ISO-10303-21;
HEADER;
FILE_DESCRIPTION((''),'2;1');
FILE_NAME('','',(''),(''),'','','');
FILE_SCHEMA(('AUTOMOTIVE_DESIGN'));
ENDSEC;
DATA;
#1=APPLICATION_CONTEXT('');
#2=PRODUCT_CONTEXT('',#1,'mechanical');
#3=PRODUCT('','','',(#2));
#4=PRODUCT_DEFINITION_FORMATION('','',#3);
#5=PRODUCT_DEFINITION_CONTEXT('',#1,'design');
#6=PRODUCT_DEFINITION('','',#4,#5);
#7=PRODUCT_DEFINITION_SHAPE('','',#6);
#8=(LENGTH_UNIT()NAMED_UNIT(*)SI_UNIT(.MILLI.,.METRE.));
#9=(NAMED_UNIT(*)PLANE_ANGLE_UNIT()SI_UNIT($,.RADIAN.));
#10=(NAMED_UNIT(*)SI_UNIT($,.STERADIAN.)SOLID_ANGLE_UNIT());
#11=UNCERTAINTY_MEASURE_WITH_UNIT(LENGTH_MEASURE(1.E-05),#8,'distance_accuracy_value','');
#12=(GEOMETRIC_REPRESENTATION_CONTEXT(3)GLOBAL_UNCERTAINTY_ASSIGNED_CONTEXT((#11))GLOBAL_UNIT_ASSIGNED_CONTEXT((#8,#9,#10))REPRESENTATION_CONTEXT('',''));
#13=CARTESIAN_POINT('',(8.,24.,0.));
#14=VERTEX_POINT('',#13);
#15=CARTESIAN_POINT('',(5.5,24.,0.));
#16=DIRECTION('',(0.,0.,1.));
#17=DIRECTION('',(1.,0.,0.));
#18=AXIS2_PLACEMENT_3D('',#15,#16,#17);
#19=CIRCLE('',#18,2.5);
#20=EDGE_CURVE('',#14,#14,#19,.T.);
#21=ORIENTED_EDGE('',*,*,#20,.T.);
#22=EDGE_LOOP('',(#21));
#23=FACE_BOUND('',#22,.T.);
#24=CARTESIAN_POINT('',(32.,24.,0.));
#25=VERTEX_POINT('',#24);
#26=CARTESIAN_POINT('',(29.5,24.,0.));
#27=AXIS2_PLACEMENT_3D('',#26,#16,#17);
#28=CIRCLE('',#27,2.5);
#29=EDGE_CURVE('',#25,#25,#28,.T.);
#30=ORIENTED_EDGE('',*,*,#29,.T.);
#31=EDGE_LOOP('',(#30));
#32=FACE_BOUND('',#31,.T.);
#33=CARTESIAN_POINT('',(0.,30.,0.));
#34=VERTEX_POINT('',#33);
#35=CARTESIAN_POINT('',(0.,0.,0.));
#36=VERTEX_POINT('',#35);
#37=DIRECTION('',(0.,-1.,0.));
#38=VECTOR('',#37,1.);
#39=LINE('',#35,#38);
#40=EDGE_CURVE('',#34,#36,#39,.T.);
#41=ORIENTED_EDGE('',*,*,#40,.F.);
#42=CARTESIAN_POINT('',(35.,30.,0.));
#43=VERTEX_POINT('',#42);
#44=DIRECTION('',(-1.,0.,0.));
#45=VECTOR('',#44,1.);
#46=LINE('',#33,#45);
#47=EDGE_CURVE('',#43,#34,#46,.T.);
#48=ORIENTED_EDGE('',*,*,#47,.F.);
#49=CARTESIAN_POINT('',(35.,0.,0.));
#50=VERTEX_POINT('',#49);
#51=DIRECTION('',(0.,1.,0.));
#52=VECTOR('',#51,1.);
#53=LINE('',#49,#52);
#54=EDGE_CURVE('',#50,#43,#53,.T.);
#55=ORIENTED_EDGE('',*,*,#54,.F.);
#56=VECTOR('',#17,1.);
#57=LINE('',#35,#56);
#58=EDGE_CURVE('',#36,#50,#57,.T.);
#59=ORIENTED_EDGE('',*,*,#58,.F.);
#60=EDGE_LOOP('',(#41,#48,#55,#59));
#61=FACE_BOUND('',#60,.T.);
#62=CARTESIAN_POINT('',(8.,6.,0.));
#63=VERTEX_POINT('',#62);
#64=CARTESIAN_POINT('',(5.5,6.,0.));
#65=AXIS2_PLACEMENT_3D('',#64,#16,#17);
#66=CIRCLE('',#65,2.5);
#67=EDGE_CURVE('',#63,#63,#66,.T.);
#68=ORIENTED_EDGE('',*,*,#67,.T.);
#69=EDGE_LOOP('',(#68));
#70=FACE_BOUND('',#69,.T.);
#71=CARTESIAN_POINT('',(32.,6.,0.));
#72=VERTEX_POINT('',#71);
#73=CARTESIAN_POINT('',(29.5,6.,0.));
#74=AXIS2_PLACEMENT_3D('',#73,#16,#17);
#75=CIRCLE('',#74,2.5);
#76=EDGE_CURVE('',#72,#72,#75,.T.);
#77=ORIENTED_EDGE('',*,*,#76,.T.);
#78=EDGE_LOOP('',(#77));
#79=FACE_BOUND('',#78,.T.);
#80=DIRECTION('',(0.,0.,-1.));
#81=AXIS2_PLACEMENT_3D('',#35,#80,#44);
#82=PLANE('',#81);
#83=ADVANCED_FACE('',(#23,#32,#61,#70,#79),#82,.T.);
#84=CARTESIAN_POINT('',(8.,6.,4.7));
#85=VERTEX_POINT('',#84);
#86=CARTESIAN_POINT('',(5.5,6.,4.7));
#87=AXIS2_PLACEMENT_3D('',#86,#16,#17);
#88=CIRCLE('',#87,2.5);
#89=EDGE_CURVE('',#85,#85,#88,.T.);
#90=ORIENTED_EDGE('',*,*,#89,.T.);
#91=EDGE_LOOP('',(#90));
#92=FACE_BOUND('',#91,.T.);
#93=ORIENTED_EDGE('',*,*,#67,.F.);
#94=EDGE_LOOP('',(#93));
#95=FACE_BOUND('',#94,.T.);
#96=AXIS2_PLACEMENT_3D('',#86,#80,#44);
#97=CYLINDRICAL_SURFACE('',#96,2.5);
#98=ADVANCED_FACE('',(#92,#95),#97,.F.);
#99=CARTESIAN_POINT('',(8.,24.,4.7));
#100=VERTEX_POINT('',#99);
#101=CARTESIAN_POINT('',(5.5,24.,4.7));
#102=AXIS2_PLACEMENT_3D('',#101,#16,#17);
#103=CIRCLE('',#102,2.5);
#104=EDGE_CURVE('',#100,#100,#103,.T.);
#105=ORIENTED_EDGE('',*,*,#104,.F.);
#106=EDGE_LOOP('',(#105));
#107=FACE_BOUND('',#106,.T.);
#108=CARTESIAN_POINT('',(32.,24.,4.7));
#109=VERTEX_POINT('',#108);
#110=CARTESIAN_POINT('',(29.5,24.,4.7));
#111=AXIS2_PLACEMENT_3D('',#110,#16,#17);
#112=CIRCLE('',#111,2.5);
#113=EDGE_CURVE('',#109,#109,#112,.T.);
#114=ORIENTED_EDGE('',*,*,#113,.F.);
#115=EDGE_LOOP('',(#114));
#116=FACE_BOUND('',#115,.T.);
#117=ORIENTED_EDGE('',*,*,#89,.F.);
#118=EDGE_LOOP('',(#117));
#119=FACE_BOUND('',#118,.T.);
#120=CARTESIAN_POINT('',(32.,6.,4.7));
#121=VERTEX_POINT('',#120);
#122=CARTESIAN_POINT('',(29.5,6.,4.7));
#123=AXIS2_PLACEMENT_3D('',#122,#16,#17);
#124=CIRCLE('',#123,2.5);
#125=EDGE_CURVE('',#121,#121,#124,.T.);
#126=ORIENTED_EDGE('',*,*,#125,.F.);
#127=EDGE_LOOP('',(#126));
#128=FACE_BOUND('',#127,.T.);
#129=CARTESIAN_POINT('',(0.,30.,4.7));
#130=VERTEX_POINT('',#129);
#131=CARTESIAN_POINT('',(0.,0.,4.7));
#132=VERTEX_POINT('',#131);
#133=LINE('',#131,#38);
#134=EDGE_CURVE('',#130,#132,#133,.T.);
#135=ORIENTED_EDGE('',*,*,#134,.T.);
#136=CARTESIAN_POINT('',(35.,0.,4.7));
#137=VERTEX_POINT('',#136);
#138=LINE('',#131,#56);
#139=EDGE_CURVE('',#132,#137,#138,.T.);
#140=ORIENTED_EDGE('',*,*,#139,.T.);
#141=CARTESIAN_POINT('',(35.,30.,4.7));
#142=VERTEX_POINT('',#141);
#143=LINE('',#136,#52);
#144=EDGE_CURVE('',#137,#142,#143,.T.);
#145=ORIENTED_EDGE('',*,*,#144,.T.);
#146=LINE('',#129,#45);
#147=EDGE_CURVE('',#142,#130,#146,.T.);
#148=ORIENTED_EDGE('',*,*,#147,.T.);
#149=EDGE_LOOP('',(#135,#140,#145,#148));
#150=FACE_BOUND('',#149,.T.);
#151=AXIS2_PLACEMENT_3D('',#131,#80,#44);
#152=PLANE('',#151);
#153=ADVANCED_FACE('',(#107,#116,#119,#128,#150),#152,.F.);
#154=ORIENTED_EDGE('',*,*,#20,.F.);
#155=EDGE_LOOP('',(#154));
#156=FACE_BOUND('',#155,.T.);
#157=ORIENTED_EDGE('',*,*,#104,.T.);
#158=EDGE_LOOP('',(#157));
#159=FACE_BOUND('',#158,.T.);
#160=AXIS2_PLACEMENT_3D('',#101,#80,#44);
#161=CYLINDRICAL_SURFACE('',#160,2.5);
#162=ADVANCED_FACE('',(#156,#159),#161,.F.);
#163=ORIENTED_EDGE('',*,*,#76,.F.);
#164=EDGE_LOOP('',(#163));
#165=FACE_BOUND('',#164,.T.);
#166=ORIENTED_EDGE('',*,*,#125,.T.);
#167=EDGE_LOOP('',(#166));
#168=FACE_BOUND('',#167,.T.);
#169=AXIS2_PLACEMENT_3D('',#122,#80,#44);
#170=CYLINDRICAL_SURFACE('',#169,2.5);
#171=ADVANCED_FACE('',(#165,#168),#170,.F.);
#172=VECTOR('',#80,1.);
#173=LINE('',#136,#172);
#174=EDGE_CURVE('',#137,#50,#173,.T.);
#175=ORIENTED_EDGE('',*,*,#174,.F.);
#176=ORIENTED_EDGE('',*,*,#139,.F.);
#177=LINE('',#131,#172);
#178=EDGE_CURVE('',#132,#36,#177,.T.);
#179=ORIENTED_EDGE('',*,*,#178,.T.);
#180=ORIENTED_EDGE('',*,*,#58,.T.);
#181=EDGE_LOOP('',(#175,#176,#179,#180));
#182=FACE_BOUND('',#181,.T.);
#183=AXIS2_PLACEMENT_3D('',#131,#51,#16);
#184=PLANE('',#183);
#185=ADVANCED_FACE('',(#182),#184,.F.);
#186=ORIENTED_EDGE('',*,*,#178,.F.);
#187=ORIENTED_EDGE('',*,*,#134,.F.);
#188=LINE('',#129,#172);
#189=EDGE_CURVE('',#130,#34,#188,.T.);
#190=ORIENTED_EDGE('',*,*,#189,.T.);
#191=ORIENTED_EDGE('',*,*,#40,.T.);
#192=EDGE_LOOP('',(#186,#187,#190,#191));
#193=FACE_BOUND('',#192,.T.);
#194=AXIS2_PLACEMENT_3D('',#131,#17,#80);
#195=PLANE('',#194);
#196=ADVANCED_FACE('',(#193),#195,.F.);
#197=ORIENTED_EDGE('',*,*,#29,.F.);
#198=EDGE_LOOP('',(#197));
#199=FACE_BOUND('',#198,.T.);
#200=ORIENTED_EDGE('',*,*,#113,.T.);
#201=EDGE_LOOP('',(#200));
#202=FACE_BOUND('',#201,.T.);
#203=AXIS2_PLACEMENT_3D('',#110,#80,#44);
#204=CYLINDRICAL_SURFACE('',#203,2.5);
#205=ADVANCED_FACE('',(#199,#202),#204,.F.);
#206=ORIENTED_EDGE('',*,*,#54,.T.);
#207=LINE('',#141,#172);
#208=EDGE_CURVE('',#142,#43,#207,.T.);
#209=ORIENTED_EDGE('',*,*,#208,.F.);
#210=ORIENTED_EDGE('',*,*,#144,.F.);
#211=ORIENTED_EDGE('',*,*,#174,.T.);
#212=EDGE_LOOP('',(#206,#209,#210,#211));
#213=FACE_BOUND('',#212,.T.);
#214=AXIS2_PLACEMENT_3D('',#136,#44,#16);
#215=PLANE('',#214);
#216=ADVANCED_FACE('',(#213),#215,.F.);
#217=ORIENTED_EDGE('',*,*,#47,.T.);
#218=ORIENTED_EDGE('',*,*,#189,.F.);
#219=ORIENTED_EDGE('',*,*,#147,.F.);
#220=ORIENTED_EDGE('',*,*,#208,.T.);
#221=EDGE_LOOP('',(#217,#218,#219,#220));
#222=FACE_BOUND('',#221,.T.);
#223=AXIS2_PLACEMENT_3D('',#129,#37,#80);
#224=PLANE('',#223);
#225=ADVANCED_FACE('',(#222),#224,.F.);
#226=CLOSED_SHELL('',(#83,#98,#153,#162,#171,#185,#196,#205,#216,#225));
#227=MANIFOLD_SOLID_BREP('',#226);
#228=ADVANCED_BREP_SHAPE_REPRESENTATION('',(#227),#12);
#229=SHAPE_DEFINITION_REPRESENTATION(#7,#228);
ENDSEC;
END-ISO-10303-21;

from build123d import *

# Parameters (mm, degrees)
SKETCH1_W           = 35
SKETCH1_H           = 30
SKETCH1_R           = 2.5
BOSS_EXTRUDE1_DEPTH = 4.7


with BuildPart() as part:
    # Sketch1 → Boss-Extrude1 (new body)
    with BuildSketch(Plane.XY):
        with Locations((17.5, 15)):
            Rectangle(SKETCH1_W, SKETCH1_H)
        with Locations((5.5, 24)):
            Circle(SKETCH1_R, mode=Mode.SUBTRACT)
        with Locations((29.5, 24)):
            Circle(SKETCH1_R, mode=Mode.SUBTRACT)
        with Locations((5.5, 6)):
            Circle(SKETCH1_R, mode=Mode.SUBTRACT)
        with Locations((29.5, 6)):
            Circle(SKETCH1_R, mode=Mode.SUBTRACT)
    extrude(amount=BOSS_EXTRUDE1_DEPTH)


solid = part.part
